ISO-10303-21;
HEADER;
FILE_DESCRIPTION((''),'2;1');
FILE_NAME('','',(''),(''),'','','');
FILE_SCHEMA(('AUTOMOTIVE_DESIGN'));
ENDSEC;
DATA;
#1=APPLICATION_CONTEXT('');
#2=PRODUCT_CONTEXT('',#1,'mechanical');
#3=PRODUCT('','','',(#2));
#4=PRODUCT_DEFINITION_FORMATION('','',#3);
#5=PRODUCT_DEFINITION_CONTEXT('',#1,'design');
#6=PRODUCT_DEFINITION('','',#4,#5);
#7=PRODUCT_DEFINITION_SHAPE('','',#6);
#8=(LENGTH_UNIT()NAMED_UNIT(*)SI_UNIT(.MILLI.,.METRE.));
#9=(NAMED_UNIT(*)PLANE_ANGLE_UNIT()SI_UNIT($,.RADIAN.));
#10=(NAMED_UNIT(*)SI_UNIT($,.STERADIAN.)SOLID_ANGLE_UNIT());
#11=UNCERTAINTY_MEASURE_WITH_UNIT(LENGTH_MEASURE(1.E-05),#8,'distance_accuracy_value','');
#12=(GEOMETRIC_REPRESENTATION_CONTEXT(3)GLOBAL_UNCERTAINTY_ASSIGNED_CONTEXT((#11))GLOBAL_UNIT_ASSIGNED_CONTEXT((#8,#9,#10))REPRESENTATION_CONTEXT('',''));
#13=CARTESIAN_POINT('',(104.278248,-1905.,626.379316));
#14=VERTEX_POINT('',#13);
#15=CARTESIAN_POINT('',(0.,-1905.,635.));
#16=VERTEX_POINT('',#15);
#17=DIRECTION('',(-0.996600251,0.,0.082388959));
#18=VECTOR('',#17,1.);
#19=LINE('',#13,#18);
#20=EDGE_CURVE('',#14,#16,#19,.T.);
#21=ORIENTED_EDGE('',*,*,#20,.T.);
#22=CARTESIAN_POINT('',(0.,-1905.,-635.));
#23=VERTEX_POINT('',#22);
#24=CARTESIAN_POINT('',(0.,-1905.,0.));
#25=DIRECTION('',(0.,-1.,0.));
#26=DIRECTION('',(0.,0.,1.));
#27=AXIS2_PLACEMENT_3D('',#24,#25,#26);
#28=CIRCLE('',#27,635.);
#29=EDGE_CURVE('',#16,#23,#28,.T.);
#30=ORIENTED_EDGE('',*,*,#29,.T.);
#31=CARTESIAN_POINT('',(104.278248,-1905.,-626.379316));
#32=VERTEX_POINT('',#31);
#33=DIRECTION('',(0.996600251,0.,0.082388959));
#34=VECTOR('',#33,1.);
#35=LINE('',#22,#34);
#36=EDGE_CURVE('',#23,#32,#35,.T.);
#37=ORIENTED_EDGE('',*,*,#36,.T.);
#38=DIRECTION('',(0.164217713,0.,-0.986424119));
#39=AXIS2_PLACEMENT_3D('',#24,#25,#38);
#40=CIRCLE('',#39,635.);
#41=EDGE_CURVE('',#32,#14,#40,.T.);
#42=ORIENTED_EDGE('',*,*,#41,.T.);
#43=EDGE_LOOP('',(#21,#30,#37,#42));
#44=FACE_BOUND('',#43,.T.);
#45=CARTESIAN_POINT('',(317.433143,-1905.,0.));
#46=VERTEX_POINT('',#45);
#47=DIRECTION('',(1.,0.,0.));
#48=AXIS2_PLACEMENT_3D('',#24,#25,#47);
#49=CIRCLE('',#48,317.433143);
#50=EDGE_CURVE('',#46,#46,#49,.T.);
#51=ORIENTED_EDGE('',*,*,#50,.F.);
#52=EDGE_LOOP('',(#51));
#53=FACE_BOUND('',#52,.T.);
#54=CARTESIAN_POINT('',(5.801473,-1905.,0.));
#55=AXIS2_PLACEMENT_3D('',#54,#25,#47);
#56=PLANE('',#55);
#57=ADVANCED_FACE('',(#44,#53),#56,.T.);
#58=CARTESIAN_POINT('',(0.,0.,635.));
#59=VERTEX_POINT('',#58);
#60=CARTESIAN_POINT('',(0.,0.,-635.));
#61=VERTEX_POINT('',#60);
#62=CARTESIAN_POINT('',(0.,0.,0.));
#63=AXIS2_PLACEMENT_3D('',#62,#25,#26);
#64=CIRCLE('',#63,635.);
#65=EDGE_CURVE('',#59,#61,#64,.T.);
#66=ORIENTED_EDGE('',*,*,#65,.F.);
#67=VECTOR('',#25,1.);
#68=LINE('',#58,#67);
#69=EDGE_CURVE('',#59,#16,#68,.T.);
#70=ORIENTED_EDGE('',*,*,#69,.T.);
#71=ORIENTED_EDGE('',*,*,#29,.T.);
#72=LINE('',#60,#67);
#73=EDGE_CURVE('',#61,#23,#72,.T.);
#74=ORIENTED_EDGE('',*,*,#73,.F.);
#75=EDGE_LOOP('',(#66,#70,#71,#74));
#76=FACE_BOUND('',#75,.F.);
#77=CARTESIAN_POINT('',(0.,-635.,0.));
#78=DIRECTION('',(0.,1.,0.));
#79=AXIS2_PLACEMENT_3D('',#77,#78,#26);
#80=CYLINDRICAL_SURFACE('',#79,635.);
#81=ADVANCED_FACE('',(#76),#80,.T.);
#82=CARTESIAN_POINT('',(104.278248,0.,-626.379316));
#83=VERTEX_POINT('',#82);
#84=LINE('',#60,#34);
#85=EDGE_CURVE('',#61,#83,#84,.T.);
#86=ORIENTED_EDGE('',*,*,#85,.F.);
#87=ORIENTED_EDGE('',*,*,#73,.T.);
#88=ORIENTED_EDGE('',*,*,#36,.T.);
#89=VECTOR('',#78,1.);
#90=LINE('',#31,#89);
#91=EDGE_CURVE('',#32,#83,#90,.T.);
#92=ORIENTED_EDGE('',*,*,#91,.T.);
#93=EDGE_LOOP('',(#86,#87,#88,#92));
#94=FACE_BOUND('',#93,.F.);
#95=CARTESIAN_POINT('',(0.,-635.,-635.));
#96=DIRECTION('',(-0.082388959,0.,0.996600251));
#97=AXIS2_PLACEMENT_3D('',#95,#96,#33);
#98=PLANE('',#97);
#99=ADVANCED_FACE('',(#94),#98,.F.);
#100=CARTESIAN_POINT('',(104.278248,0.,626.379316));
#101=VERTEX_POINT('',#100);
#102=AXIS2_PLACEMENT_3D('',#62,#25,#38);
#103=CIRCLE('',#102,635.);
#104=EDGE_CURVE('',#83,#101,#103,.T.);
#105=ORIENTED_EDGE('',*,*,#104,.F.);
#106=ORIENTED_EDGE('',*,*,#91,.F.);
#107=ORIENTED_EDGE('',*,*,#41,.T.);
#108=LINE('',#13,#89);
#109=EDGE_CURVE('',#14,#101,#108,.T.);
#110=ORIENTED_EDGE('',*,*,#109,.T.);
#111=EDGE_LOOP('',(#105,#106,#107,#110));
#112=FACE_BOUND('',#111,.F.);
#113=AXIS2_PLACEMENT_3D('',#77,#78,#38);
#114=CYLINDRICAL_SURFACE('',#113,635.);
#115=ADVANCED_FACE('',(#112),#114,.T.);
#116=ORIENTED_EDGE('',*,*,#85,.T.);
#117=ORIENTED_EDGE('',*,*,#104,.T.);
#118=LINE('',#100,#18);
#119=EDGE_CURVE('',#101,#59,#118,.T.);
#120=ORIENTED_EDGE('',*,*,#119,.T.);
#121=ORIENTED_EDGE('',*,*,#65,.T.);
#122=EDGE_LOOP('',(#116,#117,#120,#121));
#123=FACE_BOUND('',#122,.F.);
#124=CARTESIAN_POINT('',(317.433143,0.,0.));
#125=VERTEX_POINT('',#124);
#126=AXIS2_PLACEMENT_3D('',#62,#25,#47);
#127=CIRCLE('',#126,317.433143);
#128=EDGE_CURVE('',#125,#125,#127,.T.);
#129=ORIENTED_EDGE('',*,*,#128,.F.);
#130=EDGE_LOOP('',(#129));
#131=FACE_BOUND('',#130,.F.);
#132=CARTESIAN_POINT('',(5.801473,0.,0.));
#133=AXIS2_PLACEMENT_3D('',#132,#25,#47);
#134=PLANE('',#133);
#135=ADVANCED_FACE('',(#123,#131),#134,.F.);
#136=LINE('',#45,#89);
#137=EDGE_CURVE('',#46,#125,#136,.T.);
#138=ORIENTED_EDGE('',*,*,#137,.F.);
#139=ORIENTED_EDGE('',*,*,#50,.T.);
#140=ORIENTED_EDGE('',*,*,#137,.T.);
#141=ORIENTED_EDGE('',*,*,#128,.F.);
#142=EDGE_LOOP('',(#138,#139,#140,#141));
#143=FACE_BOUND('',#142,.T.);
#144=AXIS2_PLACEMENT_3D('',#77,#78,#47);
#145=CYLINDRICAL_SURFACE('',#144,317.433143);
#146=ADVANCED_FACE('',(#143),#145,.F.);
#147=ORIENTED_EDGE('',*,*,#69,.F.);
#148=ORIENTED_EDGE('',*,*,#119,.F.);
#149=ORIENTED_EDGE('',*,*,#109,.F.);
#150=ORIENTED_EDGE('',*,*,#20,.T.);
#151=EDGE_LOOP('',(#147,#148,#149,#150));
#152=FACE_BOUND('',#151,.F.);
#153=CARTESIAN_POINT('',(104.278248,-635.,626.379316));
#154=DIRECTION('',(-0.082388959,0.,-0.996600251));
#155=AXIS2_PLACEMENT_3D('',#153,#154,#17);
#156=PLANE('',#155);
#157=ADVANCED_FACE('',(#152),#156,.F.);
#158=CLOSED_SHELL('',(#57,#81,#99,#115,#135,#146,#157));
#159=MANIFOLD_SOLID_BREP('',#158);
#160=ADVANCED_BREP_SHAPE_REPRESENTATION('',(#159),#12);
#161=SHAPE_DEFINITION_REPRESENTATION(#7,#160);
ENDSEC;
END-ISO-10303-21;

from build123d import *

# Parameters (mm, degrees)
F0_R     = 317.4331433041
F1_DEPTH = 635
F2_DEPTH = 1270


with BuildPart() as f1:
    # F0 (on Front) → F1 (new body)
    with BuildSketch(Plane.XZ):
        with BuildLine():
            Line((104.2782479982, 626.3793155863), (0, 635))
            ThreePointArc((0, 635), (-635, 0), (0, -635))
            Line((0, -635), (104.2782479982, -626.3793155863))
            ThreePointArc((104.2782479982, -626.3793155863), (484.4799724854, -410.492577595), (635, 0))
            ThreePointArc((635, 0), (484.4799724854, 410.492577595), (104.2782479982, 626.3793155863))
        make_face()
        Circle(F0_R, mode=Mode.SUBTRACT)
    extrude(amount=F1_DEPTH)

    # F2 (add): a face of the model
    f2_faces = [f1.faces().sort_by_distance(p)[0] for p in [
        (50.6593761013, -635, 612.7902067916),
    ]]
    extrude(f2_faces, amount=F2_DEPTH)


solid = f1.part
